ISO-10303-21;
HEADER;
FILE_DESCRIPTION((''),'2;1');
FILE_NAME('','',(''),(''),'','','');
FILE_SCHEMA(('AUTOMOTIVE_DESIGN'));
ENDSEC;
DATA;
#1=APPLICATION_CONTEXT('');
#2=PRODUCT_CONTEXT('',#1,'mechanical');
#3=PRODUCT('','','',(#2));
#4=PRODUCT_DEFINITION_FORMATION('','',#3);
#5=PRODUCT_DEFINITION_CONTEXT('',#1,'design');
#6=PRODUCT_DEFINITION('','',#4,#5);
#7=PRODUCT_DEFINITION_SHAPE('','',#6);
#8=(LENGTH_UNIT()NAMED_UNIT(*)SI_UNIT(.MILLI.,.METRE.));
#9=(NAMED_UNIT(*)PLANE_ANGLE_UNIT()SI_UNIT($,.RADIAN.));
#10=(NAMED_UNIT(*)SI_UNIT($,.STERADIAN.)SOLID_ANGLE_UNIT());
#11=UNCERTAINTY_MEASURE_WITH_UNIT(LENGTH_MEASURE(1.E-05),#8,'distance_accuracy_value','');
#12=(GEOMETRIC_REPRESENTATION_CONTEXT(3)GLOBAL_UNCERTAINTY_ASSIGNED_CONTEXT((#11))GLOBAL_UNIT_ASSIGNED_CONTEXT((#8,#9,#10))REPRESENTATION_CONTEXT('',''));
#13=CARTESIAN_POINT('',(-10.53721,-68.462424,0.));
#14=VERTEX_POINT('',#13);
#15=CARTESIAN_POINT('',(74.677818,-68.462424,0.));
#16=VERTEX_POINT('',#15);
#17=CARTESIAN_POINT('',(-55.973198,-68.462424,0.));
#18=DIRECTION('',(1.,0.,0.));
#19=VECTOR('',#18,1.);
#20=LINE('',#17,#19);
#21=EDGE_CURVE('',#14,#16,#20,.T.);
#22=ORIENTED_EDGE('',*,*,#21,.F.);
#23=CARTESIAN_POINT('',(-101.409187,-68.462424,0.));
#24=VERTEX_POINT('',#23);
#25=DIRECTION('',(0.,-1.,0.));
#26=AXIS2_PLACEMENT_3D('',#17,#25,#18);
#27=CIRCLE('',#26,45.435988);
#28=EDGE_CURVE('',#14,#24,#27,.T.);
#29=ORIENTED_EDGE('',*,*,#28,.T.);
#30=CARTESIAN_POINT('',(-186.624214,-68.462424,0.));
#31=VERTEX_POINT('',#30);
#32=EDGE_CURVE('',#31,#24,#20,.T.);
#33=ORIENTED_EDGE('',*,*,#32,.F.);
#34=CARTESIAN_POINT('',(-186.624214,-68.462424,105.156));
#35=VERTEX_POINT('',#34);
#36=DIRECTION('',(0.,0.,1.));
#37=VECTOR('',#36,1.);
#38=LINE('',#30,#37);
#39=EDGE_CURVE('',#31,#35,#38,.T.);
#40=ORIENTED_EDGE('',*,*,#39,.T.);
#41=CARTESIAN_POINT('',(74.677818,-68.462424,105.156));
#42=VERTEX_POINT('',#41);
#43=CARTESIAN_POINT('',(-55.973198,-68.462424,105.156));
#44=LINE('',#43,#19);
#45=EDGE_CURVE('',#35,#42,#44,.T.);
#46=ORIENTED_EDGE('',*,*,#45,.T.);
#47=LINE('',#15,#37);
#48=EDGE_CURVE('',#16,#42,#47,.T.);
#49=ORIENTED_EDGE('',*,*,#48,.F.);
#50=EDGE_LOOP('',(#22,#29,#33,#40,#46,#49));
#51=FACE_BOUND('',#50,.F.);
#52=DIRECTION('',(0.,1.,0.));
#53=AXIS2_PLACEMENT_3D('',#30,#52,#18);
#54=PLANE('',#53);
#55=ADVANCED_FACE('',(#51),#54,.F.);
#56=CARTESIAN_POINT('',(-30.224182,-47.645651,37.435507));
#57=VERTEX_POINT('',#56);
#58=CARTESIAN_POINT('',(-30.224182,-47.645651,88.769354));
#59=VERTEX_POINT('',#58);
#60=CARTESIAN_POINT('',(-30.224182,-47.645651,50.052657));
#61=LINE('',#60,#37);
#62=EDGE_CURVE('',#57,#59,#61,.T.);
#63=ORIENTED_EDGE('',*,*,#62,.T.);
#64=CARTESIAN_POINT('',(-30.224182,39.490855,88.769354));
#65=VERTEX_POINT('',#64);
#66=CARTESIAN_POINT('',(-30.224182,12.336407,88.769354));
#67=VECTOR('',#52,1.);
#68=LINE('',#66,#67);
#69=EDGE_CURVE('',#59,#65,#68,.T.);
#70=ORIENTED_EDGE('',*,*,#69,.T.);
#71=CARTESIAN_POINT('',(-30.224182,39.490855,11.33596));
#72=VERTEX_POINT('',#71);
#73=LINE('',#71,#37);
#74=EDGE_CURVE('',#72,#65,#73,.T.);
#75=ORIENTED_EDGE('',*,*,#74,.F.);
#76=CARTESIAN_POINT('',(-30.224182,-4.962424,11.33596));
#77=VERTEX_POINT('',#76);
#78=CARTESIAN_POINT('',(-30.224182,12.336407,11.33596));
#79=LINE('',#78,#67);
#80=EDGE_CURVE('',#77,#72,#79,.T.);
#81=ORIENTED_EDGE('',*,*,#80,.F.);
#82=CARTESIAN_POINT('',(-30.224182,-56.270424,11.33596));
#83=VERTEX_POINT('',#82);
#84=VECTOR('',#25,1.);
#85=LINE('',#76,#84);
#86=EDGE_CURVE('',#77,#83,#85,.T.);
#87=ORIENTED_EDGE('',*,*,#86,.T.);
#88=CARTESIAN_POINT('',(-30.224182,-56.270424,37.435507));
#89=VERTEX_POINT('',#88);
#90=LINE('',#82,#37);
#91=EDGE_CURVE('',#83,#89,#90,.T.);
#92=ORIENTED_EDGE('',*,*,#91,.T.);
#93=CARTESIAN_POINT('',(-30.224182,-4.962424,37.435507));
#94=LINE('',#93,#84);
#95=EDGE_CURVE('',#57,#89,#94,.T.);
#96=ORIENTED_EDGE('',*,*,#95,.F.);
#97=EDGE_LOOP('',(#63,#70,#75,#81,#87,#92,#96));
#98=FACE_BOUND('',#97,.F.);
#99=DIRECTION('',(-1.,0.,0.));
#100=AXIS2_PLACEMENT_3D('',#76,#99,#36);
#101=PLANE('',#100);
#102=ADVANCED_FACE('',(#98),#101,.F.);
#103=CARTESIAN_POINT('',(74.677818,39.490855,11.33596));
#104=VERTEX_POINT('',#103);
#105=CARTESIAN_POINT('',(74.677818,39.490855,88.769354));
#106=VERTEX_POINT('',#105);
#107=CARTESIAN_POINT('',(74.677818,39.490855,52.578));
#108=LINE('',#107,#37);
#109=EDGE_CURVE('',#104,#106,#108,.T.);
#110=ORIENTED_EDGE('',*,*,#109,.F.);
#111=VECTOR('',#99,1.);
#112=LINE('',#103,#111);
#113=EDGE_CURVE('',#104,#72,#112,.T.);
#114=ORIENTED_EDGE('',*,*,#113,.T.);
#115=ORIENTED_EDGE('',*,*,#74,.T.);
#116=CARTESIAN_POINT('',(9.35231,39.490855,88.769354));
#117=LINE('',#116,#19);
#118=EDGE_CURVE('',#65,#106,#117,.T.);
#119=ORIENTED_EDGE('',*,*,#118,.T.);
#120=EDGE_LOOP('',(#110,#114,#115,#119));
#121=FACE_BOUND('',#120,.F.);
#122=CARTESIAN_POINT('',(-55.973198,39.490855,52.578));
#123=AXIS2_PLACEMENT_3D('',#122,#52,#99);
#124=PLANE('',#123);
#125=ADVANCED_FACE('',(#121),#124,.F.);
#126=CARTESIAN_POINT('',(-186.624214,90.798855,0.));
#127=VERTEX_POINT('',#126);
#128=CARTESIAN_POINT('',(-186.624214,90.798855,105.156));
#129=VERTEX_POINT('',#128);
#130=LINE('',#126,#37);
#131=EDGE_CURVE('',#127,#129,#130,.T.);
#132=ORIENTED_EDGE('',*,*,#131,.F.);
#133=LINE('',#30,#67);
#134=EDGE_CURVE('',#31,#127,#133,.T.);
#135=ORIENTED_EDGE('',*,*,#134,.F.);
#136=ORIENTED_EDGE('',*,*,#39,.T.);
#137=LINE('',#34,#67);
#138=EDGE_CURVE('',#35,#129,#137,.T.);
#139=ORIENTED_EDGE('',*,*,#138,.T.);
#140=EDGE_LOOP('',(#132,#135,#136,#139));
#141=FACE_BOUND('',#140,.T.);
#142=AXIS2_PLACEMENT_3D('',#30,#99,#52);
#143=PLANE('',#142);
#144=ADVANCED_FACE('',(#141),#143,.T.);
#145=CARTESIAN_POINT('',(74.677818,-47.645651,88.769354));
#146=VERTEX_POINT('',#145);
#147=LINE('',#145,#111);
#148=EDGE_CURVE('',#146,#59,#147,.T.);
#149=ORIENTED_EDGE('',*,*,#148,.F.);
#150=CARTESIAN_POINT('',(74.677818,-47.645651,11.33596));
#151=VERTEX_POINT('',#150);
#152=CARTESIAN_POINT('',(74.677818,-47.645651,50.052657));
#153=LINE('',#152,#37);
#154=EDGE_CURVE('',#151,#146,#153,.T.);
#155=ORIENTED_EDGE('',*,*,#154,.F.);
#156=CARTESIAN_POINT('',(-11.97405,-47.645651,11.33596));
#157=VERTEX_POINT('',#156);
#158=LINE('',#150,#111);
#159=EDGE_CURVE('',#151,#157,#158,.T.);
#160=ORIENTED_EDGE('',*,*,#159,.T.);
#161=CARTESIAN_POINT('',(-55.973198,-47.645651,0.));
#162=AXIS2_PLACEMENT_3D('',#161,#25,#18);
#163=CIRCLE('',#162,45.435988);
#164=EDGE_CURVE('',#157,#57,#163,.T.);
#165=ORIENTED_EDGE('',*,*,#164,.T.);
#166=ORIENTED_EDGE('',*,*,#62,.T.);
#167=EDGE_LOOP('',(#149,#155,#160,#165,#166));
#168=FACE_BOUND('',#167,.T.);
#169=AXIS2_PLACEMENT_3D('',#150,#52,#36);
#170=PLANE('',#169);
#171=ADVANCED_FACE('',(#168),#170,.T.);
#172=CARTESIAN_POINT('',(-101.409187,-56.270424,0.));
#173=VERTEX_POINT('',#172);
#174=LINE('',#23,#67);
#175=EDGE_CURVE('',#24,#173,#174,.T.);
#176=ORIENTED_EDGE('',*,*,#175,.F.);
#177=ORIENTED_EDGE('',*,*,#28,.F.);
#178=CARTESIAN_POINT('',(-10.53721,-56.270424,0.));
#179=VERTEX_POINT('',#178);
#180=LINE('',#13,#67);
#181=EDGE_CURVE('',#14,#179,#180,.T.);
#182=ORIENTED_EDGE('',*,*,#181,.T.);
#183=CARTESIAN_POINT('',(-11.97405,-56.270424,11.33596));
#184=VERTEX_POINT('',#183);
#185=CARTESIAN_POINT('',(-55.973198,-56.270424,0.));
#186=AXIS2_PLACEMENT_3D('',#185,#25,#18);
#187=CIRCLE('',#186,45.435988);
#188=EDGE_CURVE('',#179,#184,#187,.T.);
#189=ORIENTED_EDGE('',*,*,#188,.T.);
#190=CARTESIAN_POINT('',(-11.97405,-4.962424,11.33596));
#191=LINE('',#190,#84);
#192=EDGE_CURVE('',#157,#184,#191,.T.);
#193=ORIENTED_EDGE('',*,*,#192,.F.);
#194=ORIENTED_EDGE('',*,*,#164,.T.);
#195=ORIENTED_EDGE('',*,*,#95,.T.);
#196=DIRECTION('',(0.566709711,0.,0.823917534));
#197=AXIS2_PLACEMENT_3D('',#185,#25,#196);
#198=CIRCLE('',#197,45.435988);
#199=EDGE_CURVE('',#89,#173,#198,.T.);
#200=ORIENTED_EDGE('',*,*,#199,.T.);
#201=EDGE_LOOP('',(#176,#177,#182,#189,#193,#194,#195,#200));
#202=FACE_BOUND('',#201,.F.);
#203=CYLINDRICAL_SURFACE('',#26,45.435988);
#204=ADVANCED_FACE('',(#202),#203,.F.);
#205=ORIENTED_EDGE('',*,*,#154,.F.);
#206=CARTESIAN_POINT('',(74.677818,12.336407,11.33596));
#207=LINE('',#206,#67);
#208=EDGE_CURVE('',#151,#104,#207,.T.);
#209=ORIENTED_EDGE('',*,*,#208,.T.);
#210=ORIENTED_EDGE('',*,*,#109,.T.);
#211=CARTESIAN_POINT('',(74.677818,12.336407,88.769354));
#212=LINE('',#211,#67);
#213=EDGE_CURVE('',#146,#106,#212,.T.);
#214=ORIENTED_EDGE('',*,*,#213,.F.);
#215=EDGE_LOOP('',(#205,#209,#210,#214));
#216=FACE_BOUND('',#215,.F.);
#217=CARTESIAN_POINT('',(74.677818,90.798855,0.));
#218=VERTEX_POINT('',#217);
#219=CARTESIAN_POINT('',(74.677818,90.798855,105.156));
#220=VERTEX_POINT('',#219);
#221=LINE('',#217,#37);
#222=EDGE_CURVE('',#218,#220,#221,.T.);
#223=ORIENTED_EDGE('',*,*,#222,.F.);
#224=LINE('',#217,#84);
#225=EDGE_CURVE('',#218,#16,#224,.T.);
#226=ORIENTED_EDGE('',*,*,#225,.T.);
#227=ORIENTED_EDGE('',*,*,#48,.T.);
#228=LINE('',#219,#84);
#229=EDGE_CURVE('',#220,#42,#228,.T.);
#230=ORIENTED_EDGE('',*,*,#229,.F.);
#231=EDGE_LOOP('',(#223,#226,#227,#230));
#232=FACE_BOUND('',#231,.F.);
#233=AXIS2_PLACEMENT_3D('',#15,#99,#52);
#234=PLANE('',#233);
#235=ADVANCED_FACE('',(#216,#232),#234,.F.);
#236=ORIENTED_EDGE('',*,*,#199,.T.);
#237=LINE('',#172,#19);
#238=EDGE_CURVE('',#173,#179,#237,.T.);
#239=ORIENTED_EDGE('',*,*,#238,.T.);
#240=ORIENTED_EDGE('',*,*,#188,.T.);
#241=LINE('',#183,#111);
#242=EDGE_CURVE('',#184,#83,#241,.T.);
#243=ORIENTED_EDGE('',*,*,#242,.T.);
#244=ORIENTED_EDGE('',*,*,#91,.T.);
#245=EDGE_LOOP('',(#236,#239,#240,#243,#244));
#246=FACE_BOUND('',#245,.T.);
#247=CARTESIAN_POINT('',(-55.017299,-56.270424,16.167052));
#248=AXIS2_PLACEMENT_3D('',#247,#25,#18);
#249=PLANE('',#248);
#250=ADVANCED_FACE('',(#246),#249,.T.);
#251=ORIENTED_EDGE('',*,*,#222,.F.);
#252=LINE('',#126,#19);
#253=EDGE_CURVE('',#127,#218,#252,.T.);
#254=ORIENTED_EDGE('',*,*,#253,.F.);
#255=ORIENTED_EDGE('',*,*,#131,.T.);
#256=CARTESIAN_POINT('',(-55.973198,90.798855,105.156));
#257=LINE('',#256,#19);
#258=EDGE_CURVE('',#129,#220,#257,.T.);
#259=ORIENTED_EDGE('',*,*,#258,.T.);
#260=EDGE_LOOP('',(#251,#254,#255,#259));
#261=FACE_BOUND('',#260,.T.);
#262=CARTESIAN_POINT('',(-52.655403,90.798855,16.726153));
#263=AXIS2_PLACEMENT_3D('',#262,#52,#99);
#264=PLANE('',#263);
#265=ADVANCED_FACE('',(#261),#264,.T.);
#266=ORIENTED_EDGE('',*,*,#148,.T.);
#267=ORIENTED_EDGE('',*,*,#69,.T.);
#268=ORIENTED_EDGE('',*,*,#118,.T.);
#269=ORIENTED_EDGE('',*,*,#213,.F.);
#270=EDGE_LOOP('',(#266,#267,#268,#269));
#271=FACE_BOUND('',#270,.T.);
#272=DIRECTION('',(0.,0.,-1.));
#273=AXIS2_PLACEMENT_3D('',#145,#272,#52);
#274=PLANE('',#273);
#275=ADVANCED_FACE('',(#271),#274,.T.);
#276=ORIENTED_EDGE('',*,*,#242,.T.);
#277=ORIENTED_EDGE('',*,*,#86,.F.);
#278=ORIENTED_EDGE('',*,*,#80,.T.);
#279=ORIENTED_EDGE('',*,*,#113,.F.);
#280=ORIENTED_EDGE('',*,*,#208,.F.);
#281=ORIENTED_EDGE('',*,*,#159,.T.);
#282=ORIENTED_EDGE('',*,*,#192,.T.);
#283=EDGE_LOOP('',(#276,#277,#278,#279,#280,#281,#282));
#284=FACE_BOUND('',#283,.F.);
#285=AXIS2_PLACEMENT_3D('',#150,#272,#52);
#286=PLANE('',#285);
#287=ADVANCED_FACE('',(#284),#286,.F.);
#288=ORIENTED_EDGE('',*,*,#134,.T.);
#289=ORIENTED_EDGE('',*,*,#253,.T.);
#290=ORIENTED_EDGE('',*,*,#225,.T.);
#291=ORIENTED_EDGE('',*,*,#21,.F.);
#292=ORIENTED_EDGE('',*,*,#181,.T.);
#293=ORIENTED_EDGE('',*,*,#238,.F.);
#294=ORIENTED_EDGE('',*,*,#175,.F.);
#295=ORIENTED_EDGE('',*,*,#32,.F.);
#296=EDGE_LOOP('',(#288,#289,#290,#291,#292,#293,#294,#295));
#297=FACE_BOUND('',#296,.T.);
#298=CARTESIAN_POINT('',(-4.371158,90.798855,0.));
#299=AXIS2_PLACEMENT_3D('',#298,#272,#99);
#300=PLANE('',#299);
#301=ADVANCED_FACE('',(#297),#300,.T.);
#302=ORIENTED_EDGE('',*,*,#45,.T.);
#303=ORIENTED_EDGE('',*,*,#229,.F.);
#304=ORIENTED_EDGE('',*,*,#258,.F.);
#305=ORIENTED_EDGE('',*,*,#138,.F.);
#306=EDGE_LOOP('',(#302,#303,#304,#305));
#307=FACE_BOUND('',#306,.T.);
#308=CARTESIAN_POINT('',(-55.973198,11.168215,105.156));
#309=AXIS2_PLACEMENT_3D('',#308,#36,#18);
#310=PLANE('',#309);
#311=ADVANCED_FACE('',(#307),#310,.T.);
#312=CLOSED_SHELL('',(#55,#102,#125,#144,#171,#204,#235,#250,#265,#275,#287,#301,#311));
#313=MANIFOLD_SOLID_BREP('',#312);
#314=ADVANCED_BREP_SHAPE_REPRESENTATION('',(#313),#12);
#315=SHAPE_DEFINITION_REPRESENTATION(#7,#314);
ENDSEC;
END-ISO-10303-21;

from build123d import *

# Parameters (mm, degrees)
F0_W       = 261.3020315766
F0_H       = 159.2612788081
F1_DEPTH   = 105.156
F2_W       = 119.9641153216
F2_H       = 77.4333942682
F3_DEPTH   = 104.902
F5_DEPTH   = 63.5
F1_FACE2_W = 261.3020315766
F1_FACE2_H = 105.156
F7_DEPTH   = 51.308


with BuildPart() as f1:
    # F0 (on Top) → F1 (new body)
    with BuildSketch(Plane.XY):
        with Locations((-55.9731982648, 11.1682154238)):
            Rectangle(F0_W, F0_H)
    extrude(amount=F1_DEPTH)

    # F2 (on face) → F3 (cut)
    with BuildSketch(Plane.YZ.offset(74.6778175235)):
        with Locations((12.3364068568, 50.0526567921)):
            Rectangle(F2_W, F2_H)
    extrude(amount=-F3_DEPTH, mode=Mode.SUBTRACT)

    # F4 (on face) → F5 (cut)
    with BuildSketch(Plane.XZ.offset(68.4624239802)):
        with BuildLine():
            Line((-101.4091865089, 0), (-10.5372100208, 0))
            ThreePointArc((-10.5372100208, 0), (-55.9731982648, 45.435988244), (-101.4091865089, 0))
        make_face()
    extrude(amount=-F5_DEPTH, mode=Mode.SUBTRACT)

    # F6 (on face) + F1_face2 (on face) + F5_face (on face) → F7 (join)
    with BuildSketch(Plane(origin=(0, 90.7988548279, 0), x_dir=(-1, 0, 0), z_dir=(0, 1, 0))):
        with BuildLine():
            Line((4.3711580431, 0), (100.9396470988, 0))
            ThreePointArc((100.9396470988, 0), (52.655402571, 48.2842445279), (4.3711580431, 0))
        make_face()
    with BuildSketch(Plane(origin=(-55.9731982648, 90.7988548279, 52.578), x_dir=(-1, 0, 0), z_dir=(0, 1, 0))):
        Rectangle(F1_FACE2_W, F1_FACE2_H)
    with BuildSketch(Plane(origin=(-59.2987118698, -4.9624239802, 19.1021444838), x_dir=(1, 0, 0), z_dir=(0, -1, 0))):
        with BuildLine():
            ThreePointArc((29.0745293932, 18.3333629075), (-17.8227374937, 21.1120383773), (-42.1104746391, -19.1021444838))
            Line((-42.1104746391, -19.1021444838), (48.761501849, -19.1021444838))
            ThreePointArc((48.761501849, -19.1021444838), (48.4008605817, -13.388815976), (47.3246618506, -7.7661848257))
            Line((47.3246618506, -7.7661848257), (29.0745293932, -7.7661848257))
            Line((29.0745293932, -7.7661848257), (29.0745293932, 18.3333629075))
        make_face()
    extrude(amount=-F7_DEPTH, dir=(0, 1, 0))


solid = f1.part
